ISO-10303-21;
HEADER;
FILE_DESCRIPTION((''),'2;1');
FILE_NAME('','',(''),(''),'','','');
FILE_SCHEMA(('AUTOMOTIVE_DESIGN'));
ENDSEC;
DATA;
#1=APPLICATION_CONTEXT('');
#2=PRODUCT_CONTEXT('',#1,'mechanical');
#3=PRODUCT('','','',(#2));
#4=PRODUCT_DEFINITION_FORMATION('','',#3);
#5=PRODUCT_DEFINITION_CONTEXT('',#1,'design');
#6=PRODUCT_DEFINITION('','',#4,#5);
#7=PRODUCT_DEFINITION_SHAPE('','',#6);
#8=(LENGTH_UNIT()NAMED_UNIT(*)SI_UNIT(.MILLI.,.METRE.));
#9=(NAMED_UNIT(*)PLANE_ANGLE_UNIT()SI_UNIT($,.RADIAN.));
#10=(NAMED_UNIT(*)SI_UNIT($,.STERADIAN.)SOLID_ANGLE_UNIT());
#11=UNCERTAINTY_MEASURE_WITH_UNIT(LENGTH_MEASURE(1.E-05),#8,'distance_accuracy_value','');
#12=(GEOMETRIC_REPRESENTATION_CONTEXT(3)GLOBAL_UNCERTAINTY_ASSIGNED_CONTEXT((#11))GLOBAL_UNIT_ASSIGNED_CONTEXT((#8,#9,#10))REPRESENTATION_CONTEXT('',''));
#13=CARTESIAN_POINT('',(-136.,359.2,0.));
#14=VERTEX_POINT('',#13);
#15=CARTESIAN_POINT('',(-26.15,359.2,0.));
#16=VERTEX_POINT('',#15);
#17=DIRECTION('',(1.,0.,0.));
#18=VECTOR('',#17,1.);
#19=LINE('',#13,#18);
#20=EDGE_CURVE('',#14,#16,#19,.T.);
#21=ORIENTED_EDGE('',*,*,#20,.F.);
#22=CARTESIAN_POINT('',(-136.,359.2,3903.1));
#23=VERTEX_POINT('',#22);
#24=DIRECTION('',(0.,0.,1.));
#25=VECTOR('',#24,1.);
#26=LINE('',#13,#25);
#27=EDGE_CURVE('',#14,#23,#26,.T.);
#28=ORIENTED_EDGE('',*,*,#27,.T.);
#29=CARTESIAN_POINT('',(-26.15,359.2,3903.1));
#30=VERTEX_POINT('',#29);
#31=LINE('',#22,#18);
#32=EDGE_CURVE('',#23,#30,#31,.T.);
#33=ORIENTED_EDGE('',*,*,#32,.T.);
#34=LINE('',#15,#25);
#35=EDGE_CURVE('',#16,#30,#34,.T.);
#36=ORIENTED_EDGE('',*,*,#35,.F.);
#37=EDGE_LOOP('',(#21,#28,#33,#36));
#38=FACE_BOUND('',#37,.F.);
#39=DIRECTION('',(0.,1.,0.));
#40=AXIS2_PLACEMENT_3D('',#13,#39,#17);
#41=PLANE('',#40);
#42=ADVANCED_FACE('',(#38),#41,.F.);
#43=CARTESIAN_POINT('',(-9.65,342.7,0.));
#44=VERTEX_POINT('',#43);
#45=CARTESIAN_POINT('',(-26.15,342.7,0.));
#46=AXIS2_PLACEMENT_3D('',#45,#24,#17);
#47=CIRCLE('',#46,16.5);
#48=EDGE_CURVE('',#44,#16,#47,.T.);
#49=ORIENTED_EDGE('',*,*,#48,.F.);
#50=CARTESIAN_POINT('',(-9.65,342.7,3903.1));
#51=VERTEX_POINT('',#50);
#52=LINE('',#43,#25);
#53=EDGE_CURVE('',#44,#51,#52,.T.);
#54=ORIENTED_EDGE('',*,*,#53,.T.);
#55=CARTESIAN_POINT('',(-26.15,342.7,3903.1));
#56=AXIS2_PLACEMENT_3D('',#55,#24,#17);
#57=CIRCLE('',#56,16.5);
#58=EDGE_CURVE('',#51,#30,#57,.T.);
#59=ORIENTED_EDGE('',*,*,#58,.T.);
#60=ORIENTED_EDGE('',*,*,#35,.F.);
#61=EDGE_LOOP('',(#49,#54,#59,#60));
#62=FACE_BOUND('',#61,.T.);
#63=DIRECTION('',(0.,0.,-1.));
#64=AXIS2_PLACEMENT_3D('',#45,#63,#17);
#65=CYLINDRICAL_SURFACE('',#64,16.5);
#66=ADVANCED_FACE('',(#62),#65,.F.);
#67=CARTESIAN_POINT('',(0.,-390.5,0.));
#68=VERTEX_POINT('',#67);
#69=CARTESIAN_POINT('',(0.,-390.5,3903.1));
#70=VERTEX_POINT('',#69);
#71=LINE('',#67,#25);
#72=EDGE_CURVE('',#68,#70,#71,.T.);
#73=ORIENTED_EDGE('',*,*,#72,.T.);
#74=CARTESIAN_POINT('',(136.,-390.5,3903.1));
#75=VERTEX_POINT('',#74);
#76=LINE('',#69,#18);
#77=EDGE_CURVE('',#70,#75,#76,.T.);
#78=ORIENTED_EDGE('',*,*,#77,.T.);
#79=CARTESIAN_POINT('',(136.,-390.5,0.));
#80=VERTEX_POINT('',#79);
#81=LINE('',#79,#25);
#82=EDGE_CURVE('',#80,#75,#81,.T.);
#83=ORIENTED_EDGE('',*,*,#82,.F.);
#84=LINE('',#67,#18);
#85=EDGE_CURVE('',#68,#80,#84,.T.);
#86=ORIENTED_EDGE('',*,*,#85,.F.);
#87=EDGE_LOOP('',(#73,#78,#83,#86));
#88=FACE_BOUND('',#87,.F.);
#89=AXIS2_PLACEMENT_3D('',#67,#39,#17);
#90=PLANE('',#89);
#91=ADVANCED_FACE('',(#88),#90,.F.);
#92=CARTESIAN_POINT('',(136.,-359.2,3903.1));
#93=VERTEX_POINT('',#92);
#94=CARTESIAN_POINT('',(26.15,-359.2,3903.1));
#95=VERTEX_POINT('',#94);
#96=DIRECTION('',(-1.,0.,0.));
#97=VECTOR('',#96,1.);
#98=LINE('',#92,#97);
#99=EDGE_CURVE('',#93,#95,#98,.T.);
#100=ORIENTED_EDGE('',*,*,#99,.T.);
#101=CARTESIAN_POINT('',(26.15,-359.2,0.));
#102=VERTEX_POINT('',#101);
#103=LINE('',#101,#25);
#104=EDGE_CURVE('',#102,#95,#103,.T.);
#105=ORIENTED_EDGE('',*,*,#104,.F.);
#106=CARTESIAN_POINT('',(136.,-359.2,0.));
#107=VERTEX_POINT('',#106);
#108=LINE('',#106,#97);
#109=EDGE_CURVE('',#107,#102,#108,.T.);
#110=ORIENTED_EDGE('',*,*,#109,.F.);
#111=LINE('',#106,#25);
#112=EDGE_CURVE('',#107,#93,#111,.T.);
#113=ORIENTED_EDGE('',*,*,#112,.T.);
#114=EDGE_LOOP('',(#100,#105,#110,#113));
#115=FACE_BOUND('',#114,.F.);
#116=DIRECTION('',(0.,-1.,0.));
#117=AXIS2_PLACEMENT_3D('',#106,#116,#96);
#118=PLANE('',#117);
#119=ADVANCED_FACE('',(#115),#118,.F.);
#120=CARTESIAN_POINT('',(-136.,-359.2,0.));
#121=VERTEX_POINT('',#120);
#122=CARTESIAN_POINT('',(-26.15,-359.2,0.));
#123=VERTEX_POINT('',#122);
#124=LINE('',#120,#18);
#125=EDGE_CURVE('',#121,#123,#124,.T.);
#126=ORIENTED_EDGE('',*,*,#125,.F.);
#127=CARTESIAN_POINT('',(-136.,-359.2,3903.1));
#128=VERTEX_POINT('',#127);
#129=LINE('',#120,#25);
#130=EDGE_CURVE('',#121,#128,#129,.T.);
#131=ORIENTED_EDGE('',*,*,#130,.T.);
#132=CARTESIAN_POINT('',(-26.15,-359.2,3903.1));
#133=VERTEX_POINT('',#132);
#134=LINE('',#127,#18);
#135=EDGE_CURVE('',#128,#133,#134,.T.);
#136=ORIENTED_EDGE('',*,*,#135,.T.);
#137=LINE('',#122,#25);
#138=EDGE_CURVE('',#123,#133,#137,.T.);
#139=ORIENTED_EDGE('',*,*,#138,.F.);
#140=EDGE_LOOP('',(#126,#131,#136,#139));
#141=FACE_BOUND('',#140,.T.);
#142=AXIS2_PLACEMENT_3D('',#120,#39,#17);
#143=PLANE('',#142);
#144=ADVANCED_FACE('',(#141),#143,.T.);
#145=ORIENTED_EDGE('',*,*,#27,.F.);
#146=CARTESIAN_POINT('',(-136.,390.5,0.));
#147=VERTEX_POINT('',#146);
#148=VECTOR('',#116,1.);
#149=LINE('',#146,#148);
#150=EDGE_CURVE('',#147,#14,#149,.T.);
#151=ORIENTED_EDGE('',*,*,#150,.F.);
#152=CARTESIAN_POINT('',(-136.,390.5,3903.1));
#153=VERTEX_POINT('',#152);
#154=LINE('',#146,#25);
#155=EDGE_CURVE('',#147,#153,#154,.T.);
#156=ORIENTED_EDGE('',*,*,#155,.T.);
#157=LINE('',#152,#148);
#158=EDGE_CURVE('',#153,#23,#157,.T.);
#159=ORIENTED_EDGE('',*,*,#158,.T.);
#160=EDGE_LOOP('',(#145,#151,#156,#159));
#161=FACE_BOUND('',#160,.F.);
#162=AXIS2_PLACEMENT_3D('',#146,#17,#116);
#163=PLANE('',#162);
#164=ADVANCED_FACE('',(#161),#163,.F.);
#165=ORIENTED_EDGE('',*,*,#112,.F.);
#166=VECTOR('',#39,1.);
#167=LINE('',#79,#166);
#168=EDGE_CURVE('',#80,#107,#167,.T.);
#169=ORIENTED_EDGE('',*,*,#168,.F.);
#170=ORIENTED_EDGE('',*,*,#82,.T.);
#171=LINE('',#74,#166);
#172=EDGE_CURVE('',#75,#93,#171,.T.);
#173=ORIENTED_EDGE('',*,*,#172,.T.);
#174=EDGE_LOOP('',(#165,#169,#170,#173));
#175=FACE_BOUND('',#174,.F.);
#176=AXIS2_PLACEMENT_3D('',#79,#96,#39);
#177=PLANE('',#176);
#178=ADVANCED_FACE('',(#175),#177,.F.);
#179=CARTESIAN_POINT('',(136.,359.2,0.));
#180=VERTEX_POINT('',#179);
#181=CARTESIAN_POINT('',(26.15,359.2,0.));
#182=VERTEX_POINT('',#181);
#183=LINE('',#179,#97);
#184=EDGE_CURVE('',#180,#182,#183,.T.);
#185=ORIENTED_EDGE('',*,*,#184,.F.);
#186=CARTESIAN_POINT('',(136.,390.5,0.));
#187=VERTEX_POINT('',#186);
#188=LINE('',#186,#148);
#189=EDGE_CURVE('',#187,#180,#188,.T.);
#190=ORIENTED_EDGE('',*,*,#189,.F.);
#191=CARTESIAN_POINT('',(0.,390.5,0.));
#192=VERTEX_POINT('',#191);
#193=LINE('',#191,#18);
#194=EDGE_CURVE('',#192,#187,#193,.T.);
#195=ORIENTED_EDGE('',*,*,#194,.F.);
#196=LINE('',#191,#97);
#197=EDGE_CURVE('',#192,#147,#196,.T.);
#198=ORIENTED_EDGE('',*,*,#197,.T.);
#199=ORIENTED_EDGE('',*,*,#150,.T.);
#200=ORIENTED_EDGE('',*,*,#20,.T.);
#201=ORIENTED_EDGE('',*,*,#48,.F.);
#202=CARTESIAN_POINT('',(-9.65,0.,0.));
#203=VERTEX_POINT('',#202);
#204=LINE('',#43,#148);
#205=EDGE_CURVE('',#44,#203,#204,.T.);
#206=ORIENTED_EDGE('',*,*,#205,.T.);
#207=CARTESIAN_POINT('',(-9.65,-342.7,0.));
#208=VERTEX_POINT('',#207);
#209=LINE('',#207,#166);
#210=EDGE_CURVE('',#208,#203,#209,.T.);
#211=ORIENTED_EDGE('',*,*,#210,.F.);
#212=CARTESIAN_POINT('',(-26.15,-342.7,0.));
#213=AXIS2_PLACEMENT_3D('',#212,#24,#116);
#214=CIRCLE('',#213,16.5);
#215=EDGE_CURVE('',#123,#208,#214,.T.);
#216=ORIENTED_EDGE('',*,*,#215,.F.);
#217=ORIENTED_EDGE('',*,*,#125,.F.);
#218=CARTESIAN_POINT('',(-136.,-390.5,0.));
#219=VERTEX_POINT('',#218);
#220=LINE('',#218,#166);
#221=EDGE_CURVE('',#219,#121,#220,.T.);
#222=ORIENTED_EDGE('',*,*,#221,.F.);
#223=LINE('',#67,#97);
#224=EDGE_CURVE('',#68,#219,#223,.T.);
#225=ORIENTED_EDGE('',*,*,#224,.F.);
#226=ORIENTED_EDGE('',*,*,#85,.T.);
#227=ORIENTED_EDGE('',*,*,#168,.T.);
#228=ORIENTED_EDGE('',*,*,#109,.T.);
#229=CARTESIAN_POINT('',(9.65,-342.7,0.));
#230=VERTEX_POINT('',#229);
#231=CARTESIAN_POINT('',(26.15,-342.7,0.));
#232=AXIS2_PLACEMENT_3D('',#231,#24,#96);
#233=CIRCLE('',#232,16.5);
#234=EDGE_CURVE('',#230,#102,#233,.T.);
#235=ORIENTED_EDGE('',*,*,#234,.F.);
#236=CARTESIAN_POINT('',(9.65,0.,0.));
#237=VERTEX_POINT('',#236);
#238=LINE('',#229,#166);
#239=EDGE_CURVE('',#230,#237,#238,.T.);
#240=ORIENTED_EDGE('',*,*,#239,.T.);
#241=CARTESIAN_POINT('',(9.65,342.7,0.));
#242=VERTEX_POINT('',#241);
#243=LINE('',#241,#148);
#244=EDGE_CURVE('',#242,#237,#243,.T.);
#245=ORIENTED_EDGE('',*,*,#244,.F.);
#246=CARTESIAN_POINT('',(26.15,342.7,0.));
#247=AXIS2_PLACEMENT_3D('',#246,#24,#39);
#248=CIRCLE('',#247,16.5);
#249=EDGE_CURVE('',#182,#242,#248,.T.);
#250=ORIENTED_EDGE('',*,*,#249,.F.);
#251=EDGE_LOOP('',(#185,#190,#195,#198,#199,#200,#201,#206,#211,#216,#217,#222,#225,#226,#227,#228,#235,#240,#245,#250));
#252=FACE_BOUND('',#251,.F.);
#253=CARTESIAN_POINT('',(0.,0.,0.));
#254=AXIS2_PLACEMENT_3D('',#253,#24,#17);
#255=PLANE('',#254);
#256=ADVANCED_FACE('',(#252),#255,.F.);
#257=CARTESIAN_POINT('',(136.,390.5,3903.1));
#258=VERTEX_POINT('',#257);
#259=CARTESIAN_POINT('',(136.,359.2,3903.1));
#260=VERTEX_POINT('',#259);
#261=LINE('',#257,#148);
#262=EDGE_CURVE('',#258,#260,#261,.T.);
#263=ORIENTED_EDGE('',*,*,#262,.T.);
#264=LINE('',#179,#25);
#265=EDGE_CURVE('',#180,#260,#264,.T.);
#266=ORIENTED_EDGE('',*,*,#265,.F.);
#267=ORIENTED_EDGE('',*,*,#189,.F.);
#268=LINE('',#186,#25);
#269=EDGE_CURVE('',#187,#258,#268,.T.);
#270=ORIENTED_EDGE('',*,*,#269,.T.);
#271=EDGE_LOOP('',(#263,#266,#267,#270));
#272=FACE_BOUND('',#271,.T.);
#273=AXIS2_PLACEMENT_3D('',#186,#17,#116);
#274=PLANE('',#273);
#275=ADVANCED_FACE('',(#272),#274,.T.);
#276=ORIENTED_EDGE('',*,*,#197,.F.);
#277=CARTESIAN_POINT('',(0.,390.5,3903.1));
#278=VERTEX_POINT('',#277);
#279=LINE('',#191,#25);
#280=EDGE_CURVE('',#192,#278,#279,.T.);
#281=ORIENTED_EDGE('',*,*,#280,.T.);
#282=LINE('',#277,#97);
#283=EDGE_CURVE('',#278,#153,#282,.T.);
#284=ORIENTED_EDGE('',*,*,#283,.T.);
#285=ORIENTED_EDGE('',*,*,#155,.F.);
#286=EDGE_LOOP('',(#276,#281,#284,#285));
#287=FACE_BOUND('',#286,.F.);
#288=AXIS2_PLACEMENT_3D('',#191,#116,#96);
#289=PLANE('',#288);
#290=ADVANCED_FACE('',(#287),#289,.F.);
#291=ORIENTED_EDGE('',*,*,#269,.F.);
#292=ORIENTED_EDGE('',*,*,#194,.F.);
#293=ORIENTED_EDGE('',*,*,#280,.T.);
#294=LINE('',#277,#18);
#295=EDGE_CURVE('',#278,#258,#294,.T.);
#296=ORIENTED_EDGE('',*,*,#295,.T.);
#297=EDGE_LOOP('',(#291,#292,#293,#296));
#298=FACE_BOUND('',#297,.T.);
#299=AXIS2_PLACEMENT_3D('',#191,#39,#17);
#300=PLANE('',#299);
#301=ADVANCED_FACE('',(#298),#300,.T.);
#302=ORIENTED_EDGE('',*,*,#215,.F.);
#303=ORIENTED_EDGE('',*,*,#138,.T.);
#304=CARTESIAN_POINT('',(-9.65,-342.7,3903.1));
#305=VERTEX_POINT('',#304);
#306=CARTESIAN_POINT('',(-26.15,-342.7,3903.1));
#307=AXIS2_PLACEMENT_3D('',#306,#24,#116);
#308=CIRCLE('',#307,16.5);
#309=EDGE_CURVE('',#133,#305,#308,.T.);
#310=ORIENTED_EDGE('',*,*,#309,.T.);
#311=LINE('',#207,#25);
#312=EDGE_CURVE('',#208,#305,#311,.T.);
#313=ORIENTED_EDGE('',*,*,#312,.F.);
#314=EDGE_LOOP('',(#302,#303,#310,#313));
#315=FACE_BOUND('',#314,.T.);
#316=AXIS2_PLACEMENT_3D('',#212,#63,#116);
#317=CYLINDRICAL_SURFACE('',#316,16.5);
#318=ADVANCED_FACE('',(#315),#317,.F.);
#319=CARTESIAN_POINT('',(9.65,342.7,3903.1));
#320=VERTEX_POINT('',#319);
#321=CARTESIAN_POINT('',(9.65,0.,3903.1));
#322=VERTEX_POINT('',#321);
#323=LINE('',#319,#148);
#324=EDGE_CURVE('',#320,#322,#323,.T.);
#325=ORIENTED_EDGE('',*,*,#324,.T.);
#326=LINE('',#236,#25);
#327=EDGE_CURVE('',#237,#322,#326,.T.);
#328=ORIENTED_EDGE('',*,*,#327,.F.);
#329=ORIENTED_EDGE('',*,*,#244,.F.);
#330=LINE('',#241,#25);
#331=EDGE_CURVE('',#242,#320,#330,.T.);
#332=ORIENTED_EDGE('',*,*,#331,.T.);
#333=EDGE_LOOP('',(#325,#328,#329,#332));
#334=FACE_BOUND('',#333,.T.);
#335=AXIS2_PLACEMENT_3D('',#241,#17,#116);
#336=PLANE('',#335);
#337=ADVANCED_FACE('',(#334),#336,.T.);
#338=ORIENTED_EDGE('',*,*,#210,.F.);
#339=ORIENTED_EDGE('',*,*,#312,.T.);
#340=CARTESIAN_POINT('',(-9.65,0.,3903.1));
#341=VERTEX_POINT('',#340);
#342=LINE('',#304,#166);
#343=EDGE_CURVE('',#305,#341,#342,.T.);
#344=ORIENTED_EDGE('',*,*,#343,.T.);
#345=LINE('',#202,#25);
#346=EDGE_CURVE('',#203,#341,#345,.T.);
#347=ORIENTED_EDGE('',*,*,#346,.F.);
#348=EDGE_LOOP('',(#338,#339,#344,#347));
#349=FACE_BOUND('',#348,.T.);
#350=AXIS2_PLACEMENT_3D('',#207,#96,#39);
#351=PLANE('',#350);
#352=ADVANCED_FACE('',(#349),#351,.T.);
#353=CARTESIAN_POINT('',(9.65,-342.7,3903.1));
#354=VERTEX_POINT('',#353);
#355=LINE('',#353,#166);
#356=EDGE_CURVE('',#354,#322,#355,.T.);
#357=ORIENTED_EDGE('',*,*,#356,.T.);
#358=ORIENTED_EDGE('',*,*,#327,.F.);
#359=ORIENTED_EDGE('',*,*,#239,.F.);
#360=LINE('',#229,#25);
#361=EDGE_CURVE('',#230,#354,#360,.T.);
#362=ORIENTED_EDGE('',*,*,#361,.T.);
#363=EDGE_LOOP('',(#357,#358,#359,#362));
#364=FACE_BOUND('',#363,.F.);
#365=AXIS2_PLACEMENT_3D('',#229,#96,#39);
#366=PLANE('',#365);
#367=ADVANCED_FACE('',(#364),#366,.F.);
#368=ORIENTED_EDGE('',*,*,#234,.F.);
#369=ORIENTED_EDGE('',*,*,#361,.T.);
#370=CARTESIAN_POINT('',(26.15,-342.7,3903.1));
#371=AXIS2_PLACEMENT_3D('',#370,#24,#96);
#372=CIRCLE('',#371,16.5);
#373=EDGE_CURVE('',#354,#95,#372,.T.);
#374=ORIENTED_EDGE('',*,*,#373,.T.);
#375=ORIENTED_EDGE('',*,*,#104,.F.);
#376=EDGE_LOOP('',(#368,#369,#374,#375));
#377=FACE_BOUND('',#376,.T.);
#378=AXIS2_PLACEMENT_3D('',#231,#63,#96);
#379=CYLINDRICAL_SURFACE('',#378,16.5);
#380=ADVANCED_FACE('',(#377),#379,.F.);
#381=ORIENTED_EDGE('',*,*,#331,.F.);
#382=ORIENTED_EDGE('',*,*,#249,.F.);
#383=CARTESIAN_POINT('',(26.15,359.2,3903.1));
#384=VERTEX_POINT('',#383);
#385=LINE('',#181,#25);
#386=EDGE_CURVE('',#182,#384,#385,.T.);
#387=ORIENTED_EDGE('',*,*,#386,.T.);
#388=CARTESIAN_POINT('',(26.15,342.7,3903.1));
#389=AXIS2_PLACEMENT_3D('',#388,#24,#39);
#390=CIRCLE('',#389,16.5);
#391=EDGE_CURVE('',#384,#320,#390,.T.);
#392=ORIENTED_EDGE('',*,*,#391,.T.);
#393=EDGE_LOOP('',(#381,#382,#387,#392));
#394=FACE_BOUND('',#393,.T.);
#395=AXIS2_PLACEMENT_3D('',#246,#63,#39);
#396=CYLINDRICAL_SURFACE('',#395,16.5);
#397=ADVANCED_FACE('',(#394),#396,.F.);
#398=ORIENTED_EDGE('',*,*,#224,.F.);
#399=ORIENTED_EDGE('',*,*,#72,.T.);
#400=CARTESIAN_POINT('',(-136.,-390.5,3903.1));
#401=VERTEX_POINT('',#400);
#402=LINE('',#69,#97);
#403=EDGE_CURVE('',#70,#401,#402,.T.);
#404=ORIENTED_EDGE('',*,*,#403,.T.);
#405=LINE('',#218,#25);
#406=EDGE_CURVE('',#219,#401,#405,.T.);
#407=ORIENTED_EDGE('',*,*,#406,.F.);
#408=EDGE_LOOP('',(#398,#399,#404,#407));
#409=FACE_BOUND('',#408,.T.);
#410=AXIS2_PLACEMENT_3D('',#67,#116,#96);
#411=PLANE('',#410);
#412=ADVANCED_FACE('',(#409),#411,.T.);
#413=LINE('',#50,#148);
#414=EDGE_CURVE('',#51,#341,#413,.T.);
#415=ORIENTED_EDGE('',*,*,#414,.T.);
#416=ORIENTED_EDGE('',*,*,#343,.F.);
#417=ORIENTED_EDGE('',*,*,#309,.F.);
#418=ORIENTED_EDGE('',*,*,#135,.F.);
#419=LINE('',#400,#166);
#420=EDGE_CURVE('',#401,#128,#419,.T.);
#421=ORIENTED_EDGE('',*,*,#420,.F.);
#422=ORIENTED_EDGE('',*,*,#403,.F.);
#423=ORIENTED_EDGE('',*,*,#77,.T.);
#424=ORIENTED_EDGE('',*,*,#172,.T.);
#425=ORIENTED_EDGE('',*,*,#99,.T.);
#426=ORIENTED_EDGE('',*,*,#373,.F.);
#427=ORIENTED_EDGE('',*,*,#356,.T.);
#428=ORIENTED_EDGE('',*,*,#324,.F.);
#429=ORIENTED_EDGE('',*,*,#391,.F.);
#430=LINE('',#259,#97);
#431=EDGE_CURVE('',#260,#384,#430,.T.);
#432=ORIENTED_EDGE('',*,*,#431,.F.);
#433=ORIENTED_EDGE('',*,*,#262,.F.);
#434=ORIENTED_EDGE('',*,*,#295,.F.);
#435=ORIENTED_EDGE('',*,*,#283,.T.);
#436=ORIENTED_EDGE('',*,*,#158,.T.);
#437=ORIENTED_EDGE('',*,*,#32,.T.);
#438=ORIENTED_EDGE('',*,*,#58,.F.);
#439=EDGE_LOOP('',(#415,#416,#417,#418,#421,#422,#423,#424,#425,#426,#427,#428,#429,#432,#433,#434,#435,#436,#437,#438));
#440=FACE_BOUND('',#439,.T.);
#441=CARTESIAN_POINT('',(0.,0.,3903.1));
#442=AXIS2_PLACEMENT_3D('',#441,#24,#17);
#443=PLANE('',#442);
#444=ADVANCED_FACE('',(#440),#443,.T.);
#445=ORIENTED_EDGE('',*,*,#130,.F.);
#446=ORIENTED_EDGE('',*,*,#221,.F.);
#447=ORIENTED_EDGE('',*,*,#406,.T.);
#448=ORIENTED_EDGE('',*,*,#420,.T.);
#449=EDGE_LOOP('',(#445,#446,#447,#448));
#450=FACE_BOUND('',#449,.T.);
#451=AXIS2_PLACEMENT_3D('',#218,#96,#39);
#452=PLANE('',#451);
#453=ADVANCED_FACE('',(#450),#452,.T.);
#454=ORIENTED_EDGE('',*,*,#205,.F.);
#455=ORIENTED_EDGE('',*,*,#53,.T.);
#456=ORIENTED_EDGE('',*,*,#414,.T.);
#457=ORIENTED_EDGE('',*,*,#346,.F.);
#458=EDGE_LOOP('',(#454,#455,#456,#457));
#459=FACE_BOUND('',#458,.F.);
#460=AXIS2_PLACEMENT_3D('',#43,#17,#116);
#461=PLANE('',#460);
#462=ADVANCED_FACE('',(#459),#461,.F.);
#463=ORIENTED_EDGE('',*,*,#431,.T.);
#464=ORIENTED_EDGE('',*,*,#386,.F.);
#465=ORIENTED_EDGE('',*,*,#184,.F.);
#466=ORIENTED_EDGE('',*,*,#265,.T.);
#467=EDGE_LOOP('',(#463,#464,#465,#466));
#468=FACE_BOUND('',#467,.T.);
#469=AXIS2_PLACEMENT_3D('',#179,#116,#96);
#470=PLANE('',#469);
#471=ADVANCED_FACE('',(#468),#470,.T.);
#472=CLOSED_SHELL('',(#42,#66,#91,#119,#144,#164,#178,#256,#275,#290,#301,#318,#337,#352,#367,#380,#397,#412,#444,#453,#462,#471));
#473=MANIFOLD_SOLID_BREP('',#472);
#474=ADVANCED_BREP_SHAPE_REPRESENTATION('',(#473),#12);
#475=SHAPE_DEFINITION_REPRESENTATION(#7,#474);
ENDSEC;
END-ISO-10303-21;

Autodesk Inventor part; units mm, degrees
ref_plane "YZ Plane" through (0, 0, 0) normal (1, 0, 0) x (0, 1, 0)
ref_plane "Start plane" through (0, 0, 0) normal (0, 0, 1) x (1, 0, 0)
ref_plane "End plane" through (0, 0, 3903.1) normal (0, 0, 1) x (1, 0, 0)
sketch "Sketch" plane through (0, 0, 0) normal (0, 0, 1) x (1, 0, 0)
  line L0 (-136, -390.5) -> (-136, -359.2)
  line L1 (-136, -359.2) -> (-26.15, -359.2)
  line L2 (-9.65, -342.7) -> (-9.65, 0)
  line L3 (-9.65, 0) -> (0, 0) construction
  line L4 (0, 0) -> (0, -390.5) construction
  line L5 (0, -390.5) -> (-136, -390.5)
  line L6 (-60, 0) -> (80, 0) construction
  line L7 (0, -60) -> (0, 80) construction
  line L8 (136, -390.5) -> (136, -359.2)
  line L9 (136, -359.2) -> (26.15, -359.2)
  line L10 (9.65, -342.7) -> (9.65, 0)
  line L11 (9.65, 0) -> (0, 0) construction
  line L12 (0, -390.5) -> (136, -390.5)
  line L13 (-136, 390.5) -> (-136, 359.2)
  line L14 (-136, 359.2) -> (-26.15, 359.2)
  line L15 (-9.65, 342.7) -> (-9.65, 0)
  line L16 (0, 390.5) -> (-136, 390.5)
  line L17 (136, 390.5) -> (136, 359.2)
  line L18 (136, 359.2) -> (26.15, 359.2)
  line L19 (0, 390.5) -> (136, 390.5)
  line L20 (9.65, 342.7) -> (9.65, 0)
  arc A0 (-9.65, 342.7) -> (-26.15, 359.2) centre (-26.15, 342.7) ccw
  arc A1 (26.15, 359.2) -> (9.65, 342.7) centre (26.15, 342.7) ccw
  arc A2 (9.65, -342.7) -> (26.15, -359.2) centre (26.15, -342.7) ccw
  arc A3 (-26.15, -359.2) -> (-9.65, -342.7) centre (-26.15, -342.7) ccw
  line L21 (0, 108) -> (0, -88) construction
  line L22 (-88, 0) -> (108, 0) construction
  point P0 (-9.65, -359.2)
  point P1 (9.65, -359.2)
  point P2 (-9.65, 359.2)
  point P3 (9.65, 359.2)
  dimension "d1" = 390.5
  dimension "d2" = 31.3
  dimension "d3" = 136
  dimension "d4" = 9.65
  dimension "d10" = 16.5
extrude "Body" add sketch "Sketch" along normal up to surface (3903.1 mm away) from surface at 0
sketch "Sketch4" plane through (0, 0, 0) normal (0, 0, 1) x (1, 0, 0)
  line L0 (0, 0) -> (10, 0)
ref_plane "Work Plane3" through (0, 0, 0) normal (0, -1, 0) x (1, 0, 0)
sketch "Sketch5" plane through (0, 0, 0) normal (0, -1, 0) x (1, 0, 0)
  line L0 (-2, 0) -> (12, 0) projected
  line L1 (-2, 3903.1) -> (12, 3903.1) projected
  dimension "d14" = 3903.1
equation "\"d1\" = 0.5 * G_H"
equation "\"d2\" = G_T1"
equation "\"d3\" = 0.5 * G_W"
equation "\"d4\" = 0.5 * G_T"
equation "\"d10\" = G_IR"
equation "\"d5\" = G_L"
equation "\"G_W\" = 272"
equation "\"G_H\" = 781"
equation "\"G_T\" = 19.3"
equation "\"G_T1\" = 31.3"
equation "\"G_IR\" = 16.5"
equation "\"G_L\" = d14"
equation "\"G_OFFSET_START\" = 0"
equation "\"G_OFFSET_END\" = 0"
equation "\"d12\" = G_OFFSET_END + B_L"
equation "\"B_L\" = 3903.1"
properties part number "AS 3679-1990 - 760 UB - 244 - 3903.1" material "Steel, Mild"
